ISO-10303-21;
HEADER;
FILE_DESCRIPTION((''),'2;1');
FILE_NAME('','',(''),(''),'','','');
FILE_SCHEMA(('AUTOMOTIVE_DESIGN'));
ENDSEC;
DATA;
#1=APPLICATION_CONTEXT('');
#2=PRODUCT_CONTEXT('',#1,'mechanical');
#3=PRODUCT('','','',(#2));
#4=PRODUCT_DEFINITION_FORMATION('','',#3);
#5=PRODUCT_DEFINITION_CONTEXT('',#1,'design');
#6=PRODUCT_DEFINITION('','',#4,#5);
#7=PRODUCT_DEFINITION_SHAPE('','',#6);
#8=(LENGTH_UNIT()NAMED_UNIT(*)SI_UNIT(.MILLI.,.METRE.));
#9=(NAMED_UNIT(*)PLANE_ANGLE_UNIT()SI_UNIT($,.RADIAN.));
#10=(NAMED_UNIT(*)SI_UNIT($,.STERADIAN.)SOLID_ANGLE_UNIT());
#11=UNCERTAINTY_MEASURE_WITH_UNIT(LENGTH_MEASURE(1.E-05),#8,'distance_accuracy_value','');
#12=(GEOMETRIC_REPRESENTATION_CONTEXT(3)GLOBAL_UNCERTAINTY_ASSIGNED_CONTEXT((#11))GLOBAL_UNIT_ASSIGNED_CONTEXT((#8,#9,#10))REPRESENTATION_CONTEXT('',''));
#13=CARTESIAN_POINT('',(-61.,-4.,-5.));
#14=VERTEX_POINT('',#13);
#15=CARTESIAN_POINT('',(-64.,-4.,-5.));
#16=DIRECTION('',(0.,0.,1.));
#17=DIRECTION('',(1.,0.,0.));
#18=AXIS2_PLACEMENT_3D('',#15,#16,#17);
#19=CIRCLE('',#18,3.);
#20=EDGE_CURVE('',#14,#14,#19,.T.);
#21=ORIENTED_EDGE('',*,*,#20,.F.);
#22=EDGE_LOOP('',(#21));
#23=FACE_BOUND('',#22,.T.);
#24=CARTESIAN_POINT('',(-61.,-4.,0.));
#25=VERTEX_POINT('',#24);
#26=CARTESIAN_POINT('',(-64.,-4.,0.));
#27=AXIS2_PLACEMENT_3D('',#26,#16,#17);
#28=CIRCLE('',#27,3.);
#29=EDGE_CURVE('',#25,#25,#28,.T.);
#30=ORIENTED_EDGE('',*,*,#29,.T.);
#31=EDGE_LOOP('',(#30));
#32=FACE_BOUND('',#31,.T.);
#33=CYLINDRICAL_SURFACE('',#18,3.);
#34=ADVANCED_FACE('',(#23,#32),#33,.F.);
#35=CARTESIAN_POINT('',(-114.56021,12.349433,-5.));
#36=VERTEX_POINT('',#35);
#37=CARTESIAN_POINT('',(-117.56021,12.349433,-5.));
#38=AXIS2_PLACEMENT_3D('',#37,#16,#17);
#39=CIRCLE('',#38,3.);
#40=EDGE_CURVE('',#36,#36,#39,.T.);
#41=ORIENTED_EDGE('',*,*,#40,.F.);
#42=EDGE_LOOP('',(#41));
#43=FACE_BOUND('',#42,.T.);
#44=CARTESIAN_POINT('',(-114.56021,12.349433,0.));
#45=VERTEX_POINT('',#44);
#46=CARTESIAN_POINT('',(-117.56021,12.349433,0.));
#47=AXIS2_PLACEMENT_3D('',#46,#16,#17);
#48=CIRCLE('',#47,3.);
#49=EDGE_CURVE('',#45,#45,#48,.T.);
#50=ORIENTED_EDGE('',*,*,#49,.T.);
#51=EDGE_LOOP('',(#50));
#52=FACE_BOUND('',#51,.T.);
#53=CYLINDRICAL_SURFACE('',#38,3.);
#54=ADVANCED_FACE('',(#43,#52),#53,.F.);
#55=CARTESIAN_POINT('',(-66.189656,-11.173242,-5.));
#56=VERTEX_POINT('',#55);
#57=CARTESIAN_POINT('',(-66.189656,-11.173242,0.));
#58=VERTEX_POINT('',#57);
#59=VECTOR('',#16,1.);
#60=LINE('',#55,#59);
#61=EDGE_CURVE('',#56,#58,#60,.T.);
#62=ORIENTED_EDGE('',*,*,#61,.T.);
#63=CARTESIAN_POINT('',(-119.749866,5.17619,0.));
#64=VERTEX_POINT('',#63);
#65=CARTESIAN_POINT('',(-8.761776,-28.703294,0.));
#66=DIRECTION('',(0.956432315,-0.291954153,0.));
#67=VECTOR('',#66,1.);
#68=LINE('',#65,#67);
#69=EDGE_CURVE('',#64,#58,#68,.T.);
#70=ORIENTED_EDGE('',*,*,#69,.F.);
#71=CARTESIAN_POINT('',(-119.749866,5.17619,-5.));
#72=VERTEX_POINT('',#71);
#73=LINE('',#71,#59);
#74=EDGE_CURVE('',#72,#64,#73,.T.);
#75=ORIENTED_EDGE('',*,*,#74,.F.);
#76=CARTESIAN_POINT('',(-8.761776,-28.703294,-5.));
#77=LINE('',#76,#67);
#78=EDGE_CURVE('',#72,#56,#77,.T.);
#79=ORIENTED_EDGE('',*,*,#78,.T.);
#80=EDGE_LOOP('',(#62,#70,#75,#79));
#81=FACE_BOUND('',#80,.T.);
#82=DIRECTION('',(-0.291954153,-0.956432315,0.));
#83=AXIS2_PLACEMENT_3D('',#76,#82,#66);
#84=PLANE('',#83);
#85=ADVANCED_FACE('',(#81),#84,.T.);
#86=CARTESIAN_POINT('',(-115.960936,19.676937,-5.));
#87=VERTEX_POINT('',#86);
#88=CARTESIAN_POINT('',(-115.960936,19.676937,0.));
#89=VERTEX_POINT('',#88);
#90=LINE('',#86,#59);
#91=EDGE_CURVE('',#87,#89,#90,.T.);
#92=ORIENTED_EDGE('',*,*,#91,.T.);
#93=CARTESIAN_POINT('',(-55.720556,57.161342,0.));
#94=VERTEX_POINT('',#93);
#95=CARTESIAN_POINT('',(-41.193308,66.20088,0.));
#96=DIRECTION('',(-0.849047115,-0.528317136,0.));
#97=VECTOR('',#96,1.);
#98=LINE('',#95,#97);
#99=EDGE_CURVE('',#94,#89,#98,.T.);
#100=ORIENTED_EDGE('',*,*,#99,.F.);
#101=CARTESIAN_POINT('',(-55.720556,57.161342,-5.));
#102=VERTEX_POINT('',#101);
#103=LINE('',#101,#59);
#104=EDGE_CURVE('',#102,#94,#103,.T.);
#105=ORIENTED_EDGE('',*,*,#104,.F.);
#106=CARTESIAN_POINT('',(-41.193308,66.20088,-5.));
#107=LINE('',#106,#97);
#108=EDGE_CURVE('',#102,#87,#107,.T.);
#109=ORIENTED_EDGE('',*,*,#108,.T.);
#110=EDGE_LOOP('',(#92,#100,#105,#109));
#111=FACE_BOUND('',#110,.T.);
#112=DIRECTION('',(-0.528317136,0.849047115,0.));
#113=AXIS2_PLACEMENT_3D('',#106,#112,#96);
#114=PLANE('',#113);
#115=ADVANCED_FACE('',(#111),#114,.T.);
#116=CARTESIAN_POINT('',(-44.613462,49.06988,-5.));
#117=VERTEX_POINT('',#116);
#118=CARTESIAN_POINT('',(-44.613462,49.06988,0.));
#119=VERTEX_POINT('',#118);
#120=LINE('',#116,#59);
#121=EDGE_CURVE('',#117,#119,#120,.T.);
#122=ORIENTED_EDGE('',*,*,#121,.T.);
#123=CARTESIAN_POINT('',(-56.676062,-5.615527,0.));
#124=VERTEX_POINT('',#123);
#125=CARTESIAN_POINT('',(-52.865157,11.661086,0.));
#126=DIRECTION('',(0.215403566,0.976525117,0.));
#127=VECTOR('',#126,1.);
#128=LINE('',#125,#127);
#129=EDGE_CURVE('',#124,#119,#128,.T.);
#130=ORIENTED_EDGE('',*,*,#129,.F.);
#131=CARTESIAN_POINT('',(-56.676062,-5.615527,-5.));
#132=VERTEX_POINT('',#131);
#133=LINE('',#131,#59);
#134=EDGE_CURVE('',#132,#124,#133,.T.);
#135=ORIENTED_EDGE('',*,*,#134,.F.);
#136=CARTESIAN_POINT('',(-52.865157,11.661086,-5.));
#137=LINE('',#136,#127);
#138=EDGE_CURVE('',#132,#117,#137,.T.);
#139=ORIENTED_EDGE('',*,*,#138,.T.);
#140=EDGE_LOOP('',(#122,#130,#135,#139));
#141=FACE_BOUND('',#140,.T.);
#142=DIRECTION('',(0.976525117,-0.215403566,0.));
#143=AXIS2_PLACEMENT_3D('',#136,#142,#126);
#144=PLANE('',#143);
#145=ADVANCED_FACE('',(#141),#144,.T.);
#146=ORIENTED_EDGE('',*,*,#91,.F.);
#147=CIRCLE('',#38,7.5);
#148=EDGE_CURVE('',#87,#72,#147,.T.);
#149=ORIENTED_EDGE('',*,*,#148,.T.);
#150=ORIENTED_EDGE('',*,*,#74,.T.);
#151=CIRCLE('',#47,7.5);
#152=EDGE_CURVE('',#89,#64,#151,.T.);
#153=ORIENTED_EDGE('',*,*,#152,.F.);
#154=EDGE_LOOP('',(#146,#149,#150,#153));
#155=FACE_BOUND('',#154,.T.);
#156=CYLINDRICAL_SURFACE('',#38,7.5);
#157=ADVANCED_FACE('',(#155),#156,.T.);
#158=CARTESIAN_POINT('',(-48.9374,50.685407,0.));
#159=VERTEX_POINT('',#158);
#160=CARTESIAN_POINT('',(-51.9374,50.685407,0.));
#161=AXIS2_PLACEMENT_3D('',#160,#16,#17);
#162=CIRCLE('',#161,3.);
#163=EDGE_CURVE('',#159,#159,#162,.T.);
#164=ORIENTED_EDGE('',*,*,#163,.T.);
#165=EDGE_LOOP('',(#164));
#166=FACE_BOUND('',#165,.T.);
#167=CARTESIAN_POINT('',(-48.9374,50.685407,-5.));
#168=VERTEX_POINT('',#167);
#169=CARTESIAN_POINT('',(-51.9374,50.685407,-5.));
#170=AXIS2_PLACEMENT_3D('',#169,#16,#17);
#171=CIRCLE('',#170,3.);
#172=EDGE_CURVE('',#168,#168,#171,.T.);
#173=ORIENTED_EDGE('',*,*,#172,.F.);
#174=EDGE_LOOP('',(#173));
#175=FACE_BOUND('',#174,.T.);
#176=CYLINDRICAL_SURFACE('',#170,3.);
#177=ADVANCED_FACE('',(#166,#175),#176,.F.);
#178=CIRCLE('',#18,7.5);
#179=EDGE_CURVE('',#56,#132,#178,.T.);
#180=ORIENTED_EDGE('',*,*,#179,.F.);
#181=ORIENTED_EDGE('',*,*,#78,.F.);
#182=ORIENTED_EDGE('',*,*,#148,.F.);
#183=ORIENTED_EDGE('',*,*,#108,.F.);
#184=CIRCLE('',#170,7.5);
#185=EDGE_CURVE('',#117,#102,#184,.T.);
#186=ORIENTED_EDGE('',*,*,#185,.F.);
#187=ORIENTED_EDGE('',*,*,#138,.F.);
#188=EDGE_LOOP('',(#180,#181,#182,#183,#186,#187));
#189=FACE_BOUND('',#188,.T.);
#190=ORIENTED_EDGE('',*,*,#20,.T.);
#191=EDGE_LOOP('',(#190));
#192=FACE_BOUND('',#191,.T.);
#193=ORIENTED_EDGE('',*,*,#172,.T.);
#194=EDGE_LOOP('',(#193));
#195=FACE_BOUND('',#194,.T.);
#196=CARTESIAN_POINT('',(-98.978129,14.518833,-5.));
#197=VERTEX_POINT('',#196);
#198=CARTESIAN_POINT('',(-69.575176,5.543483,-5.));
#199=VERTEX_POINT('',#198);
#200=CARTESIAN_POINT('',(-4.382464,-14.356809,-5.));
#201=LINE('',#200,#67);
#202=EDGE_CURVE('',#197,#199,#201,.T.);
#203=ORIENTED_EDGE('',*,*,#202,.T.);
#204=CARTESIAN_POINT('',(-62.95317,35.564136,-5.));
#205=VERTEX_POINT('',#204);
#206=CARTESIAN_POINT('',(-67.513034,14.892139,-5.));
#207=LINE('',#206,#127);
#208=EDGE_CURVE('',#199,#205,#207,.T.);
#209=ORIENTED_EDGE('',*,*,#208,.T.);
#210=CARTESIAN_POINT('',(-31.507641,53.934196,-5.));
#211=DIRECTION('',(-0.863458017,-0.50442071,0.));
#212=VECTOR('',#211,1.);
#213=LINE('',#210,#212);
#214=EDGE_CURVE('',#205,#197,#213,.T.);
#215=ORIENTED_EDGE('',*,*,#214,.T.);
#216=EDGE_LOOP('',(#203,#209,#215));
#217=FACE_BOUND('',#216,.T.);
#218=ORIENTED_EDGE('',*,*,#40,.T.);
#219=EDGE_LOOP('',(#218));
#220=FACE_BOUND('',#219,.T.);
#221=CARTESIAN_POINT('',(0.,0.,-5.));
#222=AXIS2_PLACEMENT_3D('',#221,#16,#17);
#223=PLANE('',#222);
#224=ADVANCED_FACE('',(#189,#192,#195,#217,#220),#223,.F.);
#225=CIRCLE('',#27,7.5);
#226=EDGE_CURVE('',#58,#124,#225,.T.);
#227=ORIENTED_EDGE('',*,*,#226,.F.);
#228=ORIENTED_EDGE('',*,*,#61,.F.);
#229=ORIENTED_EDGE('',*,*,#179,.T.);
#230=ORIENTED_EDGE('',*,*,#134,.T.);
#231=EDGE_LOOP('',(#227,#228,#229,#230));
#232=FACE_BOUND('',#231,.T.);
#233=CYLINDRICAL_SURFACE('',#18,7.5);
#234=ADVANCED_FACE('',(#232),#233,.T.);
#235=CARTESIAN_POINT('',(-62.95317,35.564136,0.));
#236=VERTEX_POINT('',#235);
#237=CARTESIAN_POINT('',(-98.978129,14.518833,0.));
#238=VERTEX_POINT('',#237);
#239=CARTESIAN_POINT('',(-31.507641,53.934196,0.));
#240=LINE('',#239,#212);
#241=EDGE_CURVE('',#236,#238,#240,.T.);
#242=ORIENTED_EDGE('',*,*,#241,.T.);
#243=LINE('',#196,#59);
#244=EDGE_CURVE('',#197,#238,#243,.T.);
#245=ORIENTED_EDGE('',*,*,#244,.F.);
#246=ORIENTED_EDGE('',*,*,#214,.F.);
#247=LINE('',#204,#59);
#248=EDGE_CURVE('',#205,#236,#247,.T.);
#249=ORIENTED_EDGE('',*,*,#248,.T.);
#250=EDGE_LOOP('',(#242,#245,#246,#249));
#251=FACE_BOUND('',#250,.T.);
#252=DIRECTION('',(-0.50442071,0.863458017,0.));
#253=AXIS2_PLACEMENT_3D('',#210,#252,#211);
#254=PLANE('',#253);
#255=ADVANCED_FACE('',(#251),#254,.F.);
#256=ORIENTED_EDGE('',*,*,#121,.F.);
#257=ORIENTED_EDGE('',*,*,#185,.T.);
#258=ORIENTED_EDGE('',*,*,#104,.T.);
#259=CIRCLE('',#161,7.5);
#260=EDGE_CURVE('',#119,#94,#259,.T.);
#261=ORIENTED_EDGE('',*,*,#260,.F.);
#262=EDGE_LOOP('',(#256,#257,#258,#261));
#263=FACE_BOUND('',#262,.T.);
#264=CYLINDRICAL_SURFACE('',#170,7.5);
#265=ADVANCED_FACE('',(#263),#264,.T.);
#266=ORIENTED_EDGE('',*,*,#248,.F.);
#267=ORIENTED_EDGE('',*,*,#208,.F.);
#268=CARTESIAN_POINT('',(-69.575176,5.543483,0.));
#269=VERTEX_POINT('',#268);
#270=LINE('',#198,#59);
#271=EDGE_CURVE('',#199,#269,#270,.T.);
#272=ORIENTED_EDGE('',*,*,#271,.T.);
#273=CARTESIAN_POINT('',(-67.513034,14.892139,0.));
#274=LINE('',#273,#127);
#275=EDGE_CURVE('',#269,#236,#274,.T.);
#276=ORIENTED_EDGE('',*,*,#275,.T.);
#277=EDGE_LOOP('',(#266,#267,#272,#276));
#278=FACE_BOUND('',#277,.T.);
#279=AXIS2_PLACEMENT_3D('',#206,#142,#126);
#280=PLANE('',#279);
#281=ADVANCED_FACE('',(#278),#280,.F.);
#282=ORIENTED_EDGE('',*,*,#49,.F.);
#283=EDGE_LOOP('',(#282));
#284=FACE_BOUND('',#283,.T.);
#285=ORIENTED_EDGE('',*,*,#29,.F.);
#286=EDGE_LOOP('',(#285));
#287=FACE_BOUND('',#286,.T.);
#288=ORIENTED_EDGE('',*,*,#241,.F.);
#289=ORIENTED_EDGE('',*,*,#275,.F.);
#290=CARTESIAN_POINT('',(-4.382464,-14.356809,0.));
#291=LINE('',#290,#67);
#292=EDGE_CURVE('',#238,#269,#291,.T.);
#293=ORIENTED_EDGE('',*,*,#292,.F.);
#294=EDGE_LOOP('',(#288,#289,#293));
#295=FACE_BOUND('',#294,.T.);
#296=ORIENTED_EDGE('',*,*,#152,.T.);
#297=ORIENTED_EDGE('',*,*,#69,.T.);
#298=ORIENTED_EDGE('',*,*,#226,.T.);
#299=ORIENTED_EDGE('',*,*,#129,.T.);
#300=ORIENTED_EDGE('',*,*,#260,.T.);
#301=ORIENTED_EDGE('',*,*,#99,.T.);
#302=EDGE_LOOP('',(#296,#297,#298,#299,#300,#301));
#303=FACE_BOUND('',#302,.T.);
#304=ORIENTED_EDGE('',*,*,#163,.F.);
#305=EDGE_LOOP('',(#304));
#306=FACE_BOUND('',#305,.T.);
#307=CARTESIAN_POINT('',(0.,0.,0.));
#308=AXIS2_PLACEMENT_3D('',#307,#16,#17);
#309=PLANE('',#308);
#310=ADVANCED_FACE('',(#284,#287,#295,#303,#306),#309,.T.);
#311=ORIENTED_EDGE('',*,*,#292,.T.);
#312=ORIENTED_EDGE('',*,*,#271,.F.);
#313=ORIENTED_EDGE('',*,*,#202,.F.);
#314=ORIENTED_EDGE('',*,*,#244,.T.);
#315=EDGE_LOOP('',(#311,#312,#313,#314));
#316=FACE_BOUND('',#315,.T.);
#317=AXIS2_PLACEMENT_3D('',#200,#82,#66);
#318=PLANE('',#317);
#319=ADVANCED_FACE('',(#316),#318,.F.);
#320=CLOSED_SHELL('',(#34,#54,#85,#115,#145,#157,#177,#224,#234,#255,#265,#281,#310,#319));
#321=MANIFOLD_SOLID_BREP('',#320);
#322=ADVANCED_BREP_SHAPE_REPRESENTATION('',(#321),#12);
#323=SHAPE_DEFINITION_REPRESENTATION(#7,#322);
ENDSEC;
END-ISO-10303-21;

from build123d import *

# Parameters (mm, degrees)
BOSS_EXTRU_1_DEPTH           = 5
ENL_V_MAT_EXTRU_1_DEPTH      = 139.023902146
ENL_V_MAT_EXTRU_1_DEPTH_BACK = 139.023902146
ESQUISSE2_R                  = 3


with BuildPart() as part:
    # Esquisse1 → Boss.-Extru.1 (new body)
    with BuildSketch(Plane.XY):
        with BuildLine():
            Line((-56.676061624, -5.615526744), (-44.613461935, 49.069879799))
            ThreePointArc((-44.613461935, 49.069879799), (-47.521267958, 56.747400855), (-55.720555636, 57.161341672))
            Line((-55.720555636, 57.161341672), (-115.960936395, 19.676937291))
            ThreePointArc((-115.960936395, 19.676937291), (-124.816589866, 14.245466781), (-119.749865766, 5.176190229))
            Line((-119.749865766, 5.176190229), (-66.18965615, -11.173242359))
            ThreePointArc((-66.18965615, -11.173242359), (-60.216844676, -10.475935129), (-56.676061624, -5.615526744))
        make_face()
        Polygon((-62.953169806, 35.564136013), (-69.575176268, 5.543483348), (-98.978129472, 14.518832861), align=None, mode=Mode.SUBTRACT)
    extrude(amount=-BOSS_EXTRU_1_DEPTH)

    # Esquisse2 → Enlèv. mat.-Extru.1 (cut, two sides: drawn at the far end of the back side and taken through both)
    with BuildSketch(Plane.XY.offset(-ENL_V_MAT_EXTRU_1_DEPTH_BACK)):
        with Locations((-117.560209615, 12.349432588)):
            Circle(ESQUISSE2_R)
        with Locations((-64, -4)):
            Circle(ESQUISSE2_R)
        with Locations((-51.937400312, 50.685406543)):
            Circle(ESQUISSE2_R)
    extrude(amount=ENL_V_MAT_EXTRU_1_DEPTH + ENL_V_MAT_EXTRU_1_DEPTH_BACK, mode=Mode.SUBTRACT)


solid = part.part
